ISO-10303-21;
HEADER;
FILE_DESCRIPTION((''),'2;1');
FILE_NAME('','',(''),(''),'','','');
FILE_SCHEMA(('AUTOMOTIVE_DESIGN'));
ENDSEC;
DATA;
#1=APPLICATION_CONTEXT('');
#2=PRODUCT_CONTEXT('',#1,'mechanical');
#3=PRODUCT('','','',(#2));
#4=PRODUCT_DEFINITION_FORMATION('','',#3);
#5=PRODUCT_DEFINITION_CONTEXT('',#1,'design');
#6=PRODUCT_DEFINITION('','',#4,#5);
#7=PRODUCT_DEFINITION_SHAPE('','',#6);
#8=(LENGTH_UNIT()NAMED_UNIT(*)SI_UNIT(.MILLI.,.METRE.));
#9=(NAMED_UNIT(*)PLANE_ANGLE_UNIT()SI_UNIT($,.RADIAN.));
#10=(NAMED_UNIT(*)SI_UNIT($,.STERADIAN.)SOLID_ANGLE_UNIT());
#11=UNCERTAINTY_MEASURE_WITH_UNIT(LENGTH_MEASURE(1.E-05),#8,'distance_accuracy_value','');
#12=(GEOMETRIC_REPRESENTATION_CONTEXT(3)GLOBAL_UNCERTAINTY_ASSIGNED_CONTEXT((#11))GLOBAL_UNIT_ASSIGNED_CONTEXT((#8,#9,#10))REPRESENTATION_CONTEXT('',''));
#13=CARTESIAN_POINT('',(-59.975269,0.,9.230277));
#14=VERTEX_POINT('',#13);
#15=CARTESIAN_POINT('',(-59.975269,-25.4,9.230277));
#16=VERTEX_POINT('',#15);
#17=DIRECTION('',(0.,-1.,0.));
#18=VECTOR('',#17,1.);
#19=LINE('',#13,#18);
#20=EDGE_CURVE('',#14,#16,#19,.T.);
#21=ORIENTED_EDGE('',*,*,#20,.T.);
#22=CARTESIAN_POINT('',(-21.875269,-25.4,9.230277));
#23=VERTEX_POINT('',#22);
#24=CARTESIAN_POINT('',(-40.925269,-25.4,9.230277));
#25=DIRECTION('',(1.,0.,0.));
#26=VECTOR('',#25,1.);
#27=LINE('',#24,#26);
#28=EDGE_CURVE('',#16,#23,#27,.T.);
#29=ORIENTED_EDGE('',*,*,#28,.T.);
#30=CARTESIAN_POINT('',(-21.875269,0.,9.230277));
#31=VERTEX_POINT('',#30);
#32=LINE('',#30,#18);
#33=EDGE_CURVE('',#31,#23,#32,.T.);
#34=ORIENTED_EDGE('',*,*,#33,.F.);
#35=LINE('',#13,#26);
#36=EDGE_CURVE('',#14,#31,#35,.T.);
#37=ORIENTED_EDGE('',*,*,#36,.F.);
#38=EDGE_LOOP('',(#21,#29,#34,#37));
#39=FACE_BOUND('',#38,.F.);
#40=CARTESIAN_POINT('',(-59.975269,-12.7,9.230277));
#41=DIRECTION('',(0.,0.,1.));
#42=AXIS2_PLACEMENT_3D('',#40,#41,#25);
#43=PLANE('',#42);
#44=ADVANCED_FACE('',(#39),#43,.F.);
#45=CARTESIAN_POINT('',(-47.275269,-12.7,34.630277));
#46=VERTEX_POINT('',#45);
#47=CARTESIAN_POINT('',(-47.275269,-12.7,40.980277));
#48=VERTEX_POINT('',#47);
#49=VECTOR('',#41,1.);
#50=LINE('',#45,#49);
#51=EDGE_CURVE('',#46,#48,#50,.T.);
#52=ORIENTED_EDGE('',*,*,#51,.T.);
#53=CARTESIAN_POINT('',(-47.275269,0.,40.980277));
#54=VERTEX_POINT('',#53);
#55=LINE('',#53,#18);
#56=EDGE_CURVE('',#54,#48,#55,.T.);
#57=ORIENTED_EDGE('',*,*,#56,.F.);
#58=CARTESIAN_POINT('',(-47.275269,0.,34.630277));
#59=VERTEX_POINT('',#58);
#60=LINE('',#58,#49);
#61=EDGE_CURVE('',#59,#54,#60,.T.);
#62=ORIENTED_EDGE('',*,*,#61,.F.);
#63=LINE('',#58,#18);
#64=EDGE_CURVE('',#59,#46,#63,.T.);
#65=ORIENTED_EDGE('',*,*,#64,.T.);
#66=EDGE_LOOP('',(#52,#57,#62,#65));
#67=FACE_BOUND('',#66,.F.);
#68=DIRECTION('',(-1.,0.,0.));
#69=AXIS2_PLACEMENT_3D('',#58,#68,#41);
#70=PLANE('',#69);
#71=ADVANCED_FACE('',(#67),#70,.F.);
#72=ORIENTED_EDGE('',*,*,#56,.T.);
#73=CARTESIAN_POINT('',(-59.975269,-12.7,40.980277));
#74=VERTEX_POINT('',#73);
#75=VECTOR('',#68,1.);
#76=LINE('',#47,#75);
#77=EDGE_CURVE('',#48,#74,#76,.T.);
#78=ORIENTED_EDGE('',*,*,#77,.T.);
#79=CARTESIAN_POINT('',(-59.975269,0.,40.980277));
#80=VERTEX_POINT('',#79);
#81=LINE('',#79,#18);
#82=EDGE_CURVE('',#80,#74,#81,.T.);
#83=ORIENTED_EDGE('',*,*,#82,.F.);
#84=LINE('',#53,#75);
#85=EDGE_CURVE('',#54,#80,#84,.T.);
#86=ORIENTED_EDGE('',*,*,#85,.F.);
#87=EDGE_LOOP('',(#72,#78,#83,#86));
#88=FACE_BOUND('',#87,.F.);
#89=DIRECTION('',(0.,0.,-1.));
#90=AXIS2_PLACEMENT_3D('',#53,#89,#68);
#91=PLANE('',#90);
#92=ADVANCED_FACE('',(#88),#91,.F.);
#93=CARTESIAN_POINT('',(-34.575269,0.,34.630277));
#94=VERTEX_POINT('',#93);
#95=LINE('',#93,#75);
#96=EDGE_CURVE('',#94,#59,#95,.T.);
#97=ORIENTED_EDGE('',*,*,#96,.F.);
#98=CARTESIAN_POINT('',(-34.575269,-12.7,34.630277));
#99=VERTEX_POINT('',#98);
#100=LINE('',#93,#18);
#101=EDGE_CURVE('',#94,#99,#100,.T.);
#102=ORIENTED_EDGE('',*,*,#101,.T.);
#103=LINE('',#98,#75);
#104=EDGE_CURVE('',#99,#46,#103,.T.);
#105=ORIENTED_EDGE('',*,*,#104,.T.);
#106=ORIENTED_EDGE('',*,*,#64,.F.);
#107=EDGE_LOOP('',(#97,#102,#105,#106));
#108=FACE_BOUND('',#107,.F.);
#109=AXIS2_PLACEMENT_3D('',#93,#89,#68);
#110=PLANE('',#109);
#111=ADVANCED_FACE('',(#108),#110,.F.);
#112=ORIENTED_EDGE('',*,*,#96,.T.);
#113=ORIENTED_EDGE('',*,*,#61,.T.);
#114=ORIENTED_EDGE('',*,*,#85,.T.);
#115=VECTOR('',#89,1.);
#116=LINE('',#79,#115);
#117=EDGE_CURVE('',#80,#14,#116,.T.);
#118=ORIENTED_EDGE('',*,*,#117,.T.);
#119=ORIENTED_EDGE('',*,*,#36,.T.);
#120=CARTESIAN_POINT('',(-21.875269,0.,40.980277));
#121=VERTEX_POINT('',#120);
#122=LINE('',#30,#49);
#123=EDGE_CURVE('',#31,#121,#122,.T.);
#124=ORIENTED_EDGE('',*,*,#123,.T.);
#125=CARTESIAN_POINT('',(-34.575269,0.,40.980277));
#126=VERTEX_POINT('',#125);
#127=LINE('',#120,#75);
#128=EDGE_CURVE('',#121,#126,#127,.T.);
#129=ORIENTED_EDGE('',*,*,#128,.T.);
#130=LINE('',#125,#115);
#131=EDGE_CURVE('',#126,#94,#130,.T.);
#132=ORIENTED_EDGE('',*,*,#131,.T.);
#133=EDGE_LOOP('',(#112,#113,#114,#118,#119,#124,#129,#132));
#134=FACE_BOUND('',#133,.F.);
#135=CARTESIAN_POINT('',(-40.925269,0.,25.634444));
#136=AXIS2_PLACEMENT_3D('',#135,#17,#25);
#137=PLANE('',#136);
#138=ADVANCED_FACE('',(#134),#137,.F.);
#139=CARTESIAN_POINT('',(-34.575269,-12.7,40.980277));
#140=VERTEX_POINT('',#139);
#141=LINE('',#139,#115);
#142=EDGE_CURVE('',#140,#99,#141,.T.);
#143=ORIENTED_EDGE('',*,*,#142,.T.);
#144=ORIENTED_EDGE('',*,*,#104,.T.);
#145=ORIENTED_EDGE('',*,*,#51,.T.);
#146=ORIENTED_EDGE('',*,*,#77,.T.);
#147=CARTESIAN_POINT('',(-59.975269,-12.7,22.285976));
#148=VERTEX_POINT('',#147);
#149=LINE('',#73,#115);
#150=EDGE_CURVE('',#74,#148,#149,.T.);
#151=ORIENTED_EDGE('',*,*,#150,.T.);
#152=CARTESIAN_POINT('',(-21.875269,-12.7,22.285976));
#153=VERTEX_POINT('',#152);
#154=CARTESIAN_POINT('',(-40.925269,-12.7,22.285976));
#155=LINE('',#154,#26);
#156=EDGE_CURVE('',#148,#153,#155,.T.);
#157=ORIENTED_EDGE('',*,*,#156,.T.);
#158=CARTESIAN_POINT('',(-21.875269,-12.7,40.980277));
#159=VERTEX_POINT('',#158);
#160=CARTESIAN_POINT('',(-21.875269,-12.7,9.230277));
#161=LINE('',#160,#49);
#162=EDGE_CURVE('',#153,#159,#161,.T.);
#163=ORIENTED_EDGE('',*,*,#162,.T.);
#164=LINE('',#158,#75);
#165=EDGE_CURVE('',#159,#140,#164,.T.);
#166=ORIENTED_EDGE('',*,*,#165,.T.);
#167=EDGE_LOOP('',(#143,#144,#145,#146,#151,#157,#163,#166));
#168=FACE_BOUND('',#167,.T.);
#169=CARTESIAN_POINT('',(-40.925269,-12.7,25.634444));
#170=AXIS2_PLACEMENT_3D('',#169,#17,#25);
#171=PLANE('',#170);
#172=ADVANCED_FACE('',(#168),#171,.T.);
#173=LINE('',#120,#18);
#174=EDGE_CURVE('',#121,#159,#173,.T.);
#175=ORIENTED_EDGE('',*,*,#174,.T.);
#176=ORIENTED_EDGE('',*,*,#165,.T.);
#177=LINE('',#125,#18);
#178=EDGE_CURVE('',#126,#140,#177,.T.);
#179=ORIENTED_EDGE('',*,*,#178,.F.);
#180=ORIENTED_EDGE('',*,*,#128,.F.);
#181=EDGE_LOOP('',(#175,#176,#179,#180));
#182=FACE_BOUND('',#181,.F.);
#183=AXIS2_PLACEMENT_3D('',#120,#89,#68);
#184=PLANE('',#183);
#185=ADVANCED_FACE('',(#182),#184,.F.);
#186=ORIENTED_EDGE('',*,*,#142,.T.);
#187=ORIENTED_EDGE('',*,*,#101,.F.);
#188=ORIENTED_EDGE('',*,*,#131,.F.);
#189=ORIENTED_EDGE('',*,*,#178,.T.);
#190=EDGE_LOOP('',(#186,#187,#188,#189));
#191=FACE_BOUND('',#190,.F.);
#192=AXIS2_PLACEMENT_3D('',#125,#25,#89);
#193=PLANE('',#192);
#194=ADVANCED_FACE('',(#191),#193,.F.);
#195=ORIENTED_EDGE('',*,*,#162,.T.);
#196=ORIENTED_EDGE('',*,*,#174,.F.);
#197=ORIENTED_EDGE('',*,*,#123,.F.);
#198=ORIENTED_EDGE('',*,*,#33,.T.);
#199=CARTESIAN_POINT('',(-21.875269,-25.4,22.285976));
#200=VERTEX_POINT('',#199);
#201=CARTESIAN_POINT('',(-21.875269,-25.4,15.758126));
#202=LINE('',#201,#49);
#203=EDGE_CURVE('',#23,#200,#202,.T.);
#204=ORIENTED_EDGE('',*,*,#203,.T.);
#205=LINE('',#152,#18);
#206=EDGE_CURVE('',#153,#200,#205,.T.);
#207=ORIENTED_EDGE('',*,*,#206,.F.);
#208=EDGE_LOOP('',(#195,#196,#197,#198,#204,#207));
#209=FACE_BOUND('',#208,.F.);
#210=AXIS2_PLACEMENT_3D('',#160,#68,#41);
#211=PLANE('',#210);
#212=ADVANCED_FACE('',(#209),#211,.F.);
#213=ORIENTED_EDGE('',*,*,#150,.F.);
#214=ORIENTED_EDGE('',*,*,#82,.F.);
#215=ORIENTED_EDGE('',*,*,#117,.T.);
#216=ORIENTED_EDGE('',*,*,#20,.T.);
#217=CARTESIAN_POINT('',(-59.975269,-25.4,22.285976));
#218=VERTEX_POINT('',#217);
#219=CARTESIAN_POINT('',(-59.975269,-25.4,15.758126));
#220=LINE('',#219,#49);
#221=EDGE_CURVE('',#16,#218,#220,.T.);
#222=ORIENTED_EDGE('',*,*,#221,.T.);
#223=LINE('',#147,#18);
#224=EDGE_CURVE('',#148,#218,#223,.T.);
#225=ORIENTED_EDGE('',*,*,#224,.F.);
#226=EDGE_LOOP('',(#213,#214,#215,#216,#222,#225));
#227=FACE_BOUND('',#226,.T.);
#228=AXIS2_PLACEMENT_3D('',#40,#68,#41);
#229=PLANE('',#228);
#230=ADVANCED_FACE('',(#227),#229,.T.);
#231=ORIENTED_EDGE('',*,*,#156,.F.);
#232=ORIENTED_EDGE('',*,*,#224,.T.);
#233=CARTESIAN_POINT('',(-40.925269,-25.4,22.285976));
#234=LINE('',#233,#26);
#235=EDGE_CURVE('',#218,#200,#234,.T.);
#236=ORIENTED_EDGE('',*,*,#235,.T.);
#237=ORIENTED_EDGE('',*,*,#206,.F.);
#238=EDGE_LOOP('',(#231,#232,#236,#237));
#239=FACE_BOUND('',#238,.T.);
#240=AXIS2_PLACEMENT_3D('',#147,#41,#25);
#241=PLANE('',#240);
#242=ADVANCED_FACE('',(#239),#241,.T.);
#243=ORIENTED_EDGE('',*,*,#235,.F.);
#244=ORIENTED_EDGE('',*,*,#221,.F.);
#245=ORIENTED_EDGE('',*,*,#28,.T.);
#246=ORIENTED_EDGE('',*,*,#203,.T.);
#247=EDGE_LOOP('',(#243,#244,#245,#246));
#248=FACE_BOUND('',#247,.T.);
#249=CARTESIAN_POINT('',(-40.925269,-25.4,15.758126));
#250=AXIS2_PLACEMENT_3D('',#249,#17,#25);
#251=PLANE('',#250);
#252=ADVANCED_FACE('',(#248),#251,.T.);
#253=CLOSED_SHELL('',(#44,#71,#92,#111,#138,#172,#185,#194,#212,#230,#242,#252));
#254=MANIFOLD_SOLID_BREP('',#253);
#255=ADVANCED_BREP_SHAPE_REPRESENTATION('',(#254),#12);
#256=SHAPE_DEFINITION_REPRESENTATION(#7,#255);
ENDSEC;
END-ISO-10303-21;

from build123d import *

# Parameters (mm, degrees)
F1_DEPTH = 25.4
F4_DEPTH = 12.7
F5_W     = 38.1
F5_H     = 13.0556984428
F6_DEPTH = 12.7


with BuildPart() as f1:
    # F0 (on Front) → F1 (new body)
    with BuildSketch(Plane.XZ):
        Polygon((-47.2752685128, 40.980277073), (-59.9752685128, 40.980277073), (-59.9752685128, 9.230277073), (-21.8752685128, 9.230277073), (-21.8752685128, 40.980277073), (-34.5752685128, 40.980277073), (-34.5752685128, 34.630277073), (-47.2752685128, 34.630277073), align=None)
    extrude(amount=F1_DEPTH)

    # F4 (cut): a face of the model
    f4_faces = [f1.faces().sort_by_distance(p)[0] for p in [
        (-40.9252685128, -25.4, 24.1981342159),
    ]]
    extrude(f4_faces, amount=-F4_DEPTH, mode=Mode.SUBTRACT)

    # F5 (on face) → F6 (join)
    with BuildSketch(Plane.XZ.offset(12.7)):
        with Locations((-40.9252685128, 15.7581262944)):
            Rectangle(F5_W, F5_H)
    extrude(amount=F6_DEPTH)


solid = f1.part
